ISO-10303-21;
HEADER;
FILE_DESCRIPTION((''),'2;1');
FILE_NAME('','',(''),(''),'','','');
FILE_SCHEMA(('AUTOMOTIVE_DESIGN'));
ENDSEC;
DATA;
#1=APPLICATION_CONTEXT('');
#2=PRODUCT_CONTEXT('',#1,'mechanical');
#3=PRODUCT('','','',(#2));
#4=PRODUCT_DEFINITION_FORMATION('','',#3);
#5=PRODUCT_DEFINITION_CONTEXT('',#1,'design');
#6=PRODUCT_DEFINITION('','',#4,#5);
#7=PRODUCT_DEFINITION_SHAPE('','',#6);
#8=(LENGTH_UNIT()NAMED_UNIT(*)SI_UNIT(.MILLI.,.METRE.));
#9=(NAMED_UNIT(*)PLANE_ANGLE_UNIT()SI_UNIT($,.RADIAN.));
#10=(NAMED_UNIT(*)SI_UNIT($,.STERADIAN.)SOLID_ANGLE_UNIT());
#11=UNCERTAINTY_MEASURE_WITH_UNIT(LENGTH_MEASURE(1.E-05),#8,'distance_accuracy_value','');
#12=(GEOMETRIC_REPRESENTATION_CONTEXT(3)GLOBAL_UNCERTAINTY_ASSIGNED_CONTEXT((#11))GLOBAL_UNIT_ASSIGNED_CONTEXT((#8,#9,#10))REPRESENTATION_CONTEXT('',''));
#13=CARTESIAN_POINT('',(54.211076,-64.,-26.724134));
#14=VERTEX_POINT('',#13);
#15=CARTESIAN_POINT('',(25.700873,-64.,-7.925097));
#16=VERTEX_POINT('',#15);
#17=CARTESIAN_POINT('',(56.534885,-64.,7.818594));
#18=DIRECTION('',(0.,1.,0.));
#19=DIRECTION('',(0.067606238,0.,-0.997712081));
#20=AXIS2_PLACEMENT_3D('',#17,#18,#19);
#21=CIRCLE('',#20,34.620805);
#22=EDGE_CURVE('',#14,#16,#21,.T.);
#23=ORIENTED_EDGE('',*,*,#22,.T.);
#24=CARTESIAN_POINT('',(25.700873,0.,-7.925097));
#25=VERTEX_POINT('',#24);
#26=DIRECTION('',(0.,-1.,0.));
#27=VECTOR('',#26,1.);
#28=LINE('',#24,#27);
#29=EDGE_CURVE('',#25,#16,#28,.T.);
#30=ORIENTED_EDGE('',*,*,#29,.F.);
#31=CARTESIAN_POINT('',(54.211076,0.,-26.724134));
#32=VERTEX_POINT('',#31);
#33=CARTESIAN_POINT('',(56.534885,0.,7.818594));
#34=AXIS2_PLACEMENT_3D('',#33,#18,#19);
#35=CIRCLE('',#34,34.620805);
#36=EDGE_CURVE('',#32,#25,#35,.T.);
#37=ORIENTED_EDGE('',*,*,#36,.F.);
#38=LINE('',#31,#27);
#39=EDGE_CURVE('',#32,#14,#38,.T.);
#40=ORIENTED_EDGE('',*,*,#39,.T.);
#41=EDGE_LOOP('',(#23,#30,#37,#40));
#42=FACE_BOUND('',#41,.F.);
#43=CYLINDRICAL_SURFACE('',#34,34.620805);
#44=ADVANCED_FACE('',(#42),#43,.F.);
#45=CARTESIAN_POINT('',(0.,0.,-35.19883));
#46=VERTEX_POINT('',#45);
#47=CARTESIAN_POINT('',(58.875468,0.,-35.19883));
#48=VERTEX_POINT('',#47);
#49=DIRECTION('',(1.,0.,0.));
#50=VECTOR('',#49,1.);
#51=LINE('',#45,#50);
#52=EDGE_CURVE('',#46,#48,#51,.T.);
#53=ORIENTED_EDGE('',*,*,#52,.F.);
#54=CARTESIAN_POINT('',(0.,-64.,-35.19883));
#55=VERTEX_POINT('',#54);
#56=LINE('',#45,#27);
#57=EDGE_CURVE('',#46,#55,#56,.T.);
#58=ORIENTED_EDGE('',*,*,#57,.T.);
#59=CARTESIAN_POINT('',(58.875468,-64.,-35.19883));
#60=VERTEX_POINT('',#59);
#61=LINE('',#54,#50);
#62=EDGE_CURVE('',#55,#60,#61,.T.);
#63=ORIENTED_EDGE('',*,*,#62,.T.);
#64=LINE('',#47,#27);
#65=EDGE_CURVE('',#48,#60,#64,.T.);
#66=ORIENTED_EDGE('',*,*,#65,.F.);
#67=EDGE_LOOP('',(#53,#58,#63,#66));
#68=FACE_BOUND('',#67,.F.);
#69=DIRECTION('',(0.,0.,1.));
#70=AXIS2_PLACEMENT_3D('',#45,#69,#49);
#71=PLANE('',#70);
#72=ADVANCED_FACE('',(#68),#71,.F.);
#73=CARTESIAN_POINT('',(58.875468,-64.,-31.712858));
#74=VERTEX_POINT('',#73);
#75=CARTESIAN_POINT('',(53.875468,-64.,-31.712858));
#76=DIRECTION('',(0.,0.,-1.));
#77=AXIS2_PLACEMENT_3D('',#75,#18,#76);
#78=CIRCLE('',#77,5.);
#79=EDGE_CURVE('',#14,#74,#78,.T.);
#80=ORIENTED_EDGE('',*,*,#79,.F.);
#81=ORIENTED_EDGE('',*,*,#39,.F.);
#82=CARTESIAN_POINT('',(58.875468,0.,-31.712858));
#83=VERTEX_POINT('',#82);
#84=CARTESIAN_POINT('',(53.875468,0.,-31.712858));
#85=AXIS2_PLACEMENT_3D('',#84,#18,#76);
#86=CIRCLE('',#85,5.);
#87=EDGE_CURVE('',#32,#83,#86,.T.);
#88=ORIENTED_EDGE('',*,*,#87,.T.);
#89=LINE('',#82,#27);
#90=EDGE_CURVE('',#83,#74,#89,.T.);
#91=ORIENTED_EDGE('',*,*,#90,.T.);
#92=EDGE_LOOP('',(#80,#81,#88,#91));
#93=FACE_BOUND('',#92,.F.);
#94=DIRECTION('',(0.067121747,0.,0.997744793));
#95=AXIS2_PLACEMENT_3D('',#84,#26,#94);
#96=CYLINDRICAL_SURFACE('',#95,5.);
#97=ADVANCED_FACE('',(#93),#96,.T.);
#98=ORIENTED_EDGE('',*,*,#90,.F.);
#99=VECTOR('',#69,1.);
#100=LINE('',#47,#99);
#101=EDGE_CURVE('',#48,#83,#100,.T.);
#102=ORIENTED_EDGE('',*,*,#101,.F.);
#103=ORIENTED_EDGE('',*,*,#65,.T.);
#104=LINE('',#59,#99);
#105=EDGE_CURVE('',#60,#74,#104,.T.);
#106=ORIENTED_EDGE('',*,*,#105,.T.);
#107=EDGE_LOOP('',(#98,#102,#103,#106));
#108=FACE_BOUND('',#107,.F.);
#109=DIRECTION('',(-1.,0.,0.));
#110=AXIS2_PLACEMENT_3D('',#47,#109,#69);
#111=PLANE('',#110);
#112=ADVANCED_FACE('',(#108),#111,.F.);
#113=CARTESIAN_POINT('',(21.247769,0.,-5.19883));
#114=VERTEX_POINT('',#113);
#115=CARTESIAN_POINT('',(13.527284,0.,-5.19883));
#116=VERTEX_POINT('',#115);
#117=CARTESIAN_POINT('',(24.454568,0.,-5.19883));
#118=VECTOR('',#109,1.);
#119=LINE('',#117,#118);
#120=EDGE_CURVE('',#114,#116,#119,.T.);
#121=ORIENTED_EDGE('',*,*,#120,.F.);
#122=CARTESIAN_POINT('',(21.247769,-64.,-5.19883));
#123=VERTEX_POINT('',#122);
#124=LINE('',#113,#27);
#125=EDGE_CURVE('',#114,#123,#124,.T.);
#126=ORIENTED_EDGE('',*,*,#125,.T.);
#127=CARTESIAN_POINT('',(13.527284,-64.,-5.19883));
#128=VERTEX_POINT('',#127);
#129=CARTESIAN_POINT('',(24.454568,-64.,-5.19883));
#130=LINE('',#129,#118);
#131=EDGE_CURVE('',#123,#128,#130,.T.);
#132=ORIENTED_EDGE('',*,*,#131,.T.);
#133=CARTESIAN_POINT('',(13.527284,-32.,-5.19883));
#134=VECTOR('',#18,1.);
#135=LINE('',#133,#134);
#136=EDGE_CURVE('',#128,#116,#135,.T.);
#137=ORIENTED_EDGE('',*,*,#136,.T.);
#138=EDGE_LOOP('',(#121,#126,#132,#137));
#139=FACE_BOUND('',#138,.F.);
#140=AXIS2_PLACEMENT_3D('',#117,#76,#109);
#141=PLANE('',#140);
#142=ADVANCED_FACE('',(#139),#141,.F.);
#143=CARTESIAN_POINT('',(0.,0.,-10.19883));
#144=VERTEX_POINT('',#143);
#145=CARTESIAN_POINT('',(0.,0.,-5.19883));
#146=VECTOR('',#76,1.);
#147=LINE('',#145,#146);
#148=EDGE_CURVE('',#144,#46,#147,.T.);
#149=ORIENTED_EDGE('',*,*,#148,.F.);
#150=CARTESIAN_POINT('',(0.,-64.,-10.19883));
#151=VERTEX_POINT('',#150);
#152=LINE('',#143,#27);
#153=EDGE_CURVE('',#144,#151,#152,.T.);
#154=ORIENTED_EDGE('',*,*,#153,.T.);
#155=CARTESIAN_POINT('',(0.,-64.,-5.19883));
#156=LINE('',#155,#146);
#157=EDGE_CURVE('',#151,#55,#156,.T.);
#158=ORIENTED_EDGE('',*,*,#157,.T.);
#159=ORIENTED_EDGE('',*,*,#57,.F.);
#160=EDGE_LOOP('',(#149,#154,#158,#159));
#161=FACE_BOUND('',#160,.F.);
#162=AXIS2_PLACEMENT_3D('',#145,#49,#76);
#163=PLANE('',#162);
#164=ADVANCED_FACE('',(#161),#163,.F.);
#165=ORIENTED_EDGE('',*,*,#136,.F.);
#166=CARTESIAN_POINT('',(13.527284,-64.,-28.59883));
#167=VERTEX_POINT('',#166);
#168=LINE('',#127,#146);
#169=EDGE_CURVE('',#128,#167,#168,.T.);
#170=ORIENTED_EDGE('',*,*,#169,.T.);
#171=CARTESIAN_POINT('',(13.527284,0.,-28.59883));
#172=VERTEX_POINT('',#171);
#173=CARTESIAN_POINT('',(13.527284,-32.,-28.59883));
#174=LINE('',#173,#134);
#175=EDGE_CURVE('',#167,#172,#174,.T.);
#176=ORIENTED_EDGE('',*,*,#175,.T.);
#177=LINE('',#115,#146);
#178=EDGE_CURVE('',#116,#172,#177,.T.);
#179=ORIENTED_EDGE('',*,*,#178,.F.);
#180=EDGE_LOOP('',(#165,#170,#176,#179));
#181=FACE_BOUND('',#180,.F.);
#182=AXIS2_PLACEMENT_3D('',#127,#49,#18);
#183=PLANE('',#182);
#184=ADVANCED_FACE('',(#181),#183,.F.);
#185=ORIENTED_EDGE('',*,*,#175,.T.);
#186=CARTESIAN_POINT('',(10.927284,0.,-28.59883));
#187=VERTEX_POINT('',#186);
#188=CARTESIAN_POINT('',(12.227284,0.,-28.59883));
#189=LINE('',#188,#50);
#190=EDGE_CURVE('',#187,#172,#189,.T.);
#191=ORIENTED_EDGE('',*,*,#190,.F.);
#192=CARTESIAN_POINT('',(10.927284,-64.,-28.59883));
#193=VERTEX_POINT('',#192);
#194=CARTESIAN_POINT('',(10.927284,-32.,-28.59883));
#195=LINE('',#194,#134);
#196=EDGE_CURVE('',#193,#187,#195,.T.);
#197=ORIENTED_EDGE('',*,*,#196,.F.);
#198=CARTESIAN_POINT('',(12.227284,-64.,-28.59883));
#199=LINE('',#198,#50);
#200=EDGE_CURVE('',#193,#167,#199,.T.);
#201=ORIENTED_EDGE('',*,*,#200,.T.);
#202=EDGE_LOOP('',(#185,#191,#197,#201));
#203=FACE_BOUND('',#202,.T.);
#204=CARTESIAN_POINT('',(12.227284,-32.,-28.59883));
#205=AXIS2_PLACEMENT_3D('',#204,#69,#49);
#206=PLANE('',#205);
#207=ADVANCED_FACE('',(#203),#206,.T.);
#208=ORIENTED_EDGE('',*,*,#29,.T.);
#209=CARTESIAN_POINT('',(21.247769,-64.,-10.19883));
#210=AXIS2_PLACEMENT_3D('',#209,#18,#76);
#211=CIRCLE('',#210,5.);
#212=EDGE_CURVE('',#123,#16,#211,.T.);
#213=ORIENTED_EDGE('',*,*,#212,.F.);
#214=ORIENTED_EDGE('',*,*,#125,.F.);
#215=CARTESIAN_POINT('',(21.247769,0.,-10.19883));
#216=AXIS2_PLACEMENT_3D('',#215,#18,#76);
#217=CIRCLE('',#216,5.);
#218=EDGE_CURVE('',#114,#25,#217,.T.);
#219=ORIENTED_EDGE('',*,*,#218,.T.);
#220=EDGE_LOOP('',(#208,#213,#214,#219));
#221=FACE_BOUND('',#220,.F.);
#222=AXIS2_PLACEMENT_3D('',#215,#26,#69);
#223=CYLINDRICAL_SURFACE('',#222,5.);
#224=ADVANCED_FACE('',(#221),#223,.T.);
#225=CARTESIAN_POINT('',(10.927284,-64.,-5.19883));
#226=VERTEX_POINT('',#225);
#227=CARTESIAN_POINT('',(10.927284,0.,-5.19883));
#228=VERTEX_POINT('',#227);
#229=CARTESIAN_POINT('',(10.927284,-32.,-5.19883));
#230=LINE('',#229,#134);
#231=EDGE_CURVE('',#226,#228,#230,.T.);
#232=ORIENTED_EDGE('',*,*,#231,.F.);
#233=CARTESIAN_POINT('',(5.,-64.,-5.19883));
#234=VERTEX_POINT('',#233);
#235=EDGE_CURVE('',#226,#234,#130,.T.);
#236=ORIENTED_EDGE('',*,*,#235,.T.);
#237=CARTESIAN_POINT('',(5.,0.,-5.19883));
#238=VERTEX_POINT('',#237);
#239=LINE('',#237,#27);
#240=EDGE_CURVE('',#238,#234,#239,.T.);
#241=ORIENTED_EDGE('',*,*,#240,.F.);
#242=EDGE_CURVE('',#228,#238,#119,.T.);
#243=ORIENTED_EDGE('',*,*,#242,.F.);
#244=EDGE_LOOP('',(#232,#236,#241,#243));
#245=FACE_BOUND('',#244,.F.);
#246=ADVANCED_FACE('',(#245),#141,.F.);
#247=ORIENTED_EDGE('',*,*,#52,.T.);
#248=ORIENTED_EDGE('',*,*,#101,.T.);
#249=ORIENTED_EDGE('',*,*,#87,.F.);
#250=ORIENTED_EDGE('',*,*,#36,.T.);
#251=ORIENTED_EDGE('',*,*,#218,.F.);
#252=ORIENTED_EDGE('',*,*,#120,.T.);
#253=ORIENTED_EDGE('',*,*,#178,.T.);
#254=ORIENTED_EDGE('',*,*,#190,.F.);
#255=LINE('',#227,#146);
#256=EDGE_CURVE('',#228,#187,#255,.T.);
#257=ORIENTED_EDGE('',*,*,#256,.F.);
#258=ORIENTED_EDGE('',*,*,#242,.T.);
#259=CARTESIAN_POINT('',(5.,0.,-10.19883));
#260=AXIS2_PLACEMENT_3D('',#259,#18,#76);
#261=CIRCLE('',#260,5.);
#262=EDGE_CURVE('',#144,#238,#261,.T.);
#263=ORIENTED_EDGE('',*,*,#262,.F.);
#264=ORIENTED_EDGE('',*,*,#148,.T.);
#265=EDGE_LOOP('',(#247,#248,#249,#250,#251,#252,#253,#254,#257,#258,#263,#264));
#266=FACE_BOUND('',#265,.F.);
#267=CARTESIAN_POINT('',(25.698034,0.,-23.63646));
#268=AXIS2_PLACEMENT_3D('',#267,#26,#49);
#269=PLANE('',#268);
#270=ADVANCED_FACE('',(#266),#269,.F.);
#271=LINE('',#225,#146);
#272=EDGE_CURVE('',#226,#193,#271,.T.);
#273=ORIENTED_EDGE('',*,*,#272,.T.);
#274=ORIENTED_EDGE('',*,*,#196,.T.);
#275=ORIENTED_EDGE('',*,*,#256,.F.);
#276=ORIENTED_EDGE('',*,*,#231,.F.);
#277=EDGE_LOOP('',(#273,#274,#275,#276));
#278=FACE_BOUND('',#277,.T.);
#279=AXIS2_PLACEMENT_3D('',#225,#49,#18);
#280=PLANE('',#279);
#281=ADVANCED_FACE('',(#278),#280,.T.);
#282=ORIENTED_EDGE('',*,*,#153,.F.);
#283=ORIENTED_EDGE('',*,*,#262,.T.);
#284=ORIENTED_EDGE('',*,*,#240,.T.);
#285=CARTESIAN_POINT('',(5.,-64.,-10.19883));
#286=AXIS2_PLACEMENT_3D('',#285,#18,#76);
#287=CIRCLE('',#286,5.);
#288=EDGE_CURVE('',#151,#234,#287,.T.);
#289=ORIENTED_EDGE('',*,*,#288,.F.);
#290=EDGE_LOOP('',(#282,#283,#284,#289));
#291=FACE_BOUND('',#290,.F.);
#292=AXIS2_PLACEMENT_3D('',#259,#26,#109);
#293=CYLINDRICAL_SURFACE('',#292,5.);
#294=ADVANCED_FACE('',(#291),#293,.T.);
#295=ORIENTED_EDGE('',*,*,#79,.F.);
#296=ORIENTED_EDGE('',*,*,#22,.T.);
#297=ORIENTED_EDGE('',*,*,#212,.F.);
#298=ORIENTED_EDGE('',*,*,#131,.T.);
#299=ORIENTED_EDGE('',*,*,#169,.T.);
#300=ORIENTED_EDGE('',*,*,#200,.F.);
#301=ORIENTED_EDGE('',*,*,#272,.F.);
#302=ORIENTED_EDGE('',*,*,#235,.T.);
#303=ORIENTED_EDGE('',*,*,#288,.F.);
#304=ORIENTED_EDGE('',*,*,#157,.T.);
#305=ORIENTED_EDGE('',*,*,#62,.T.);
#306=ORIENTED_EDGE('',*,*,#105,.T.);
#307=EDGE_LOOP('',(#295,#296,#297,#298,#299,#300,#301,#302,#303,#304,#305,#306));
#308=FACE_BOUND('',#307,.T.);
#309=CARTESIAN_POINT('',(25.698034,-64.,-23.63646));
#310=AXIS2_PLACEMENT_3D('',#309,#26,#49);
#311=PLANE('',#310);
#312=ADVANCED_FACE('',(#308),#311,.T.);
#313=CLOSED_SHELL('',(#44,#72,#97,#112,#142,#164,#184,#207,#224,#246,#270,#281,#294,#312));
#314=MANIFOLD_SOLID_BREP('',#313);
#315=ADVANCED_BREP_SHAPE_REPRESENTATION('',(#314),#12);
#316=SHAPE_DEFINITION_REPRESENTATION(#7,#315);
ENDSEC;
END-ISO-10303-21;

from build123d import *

# Parameters (mm, degrees)
F1_DEPTH = 64
F2_W     = 2.6
F2_H     = 64
F3_DEPTH = 23.4
F4_R     = 5


with BuildPart() as f1:
    # F0 (on Front) → F1 (new body)
    with BuildSketch(Plane.XZ):
        with BuildLine():
            Line((24.4545675814, -5.1988300681), (0, -5.1988300681))
            Line((0, -5.1988300681), (0, -35.1988300681))
            Line((0, -35.1988300681), (58.8754676282, -35.1988300681))
            Line((58.8754676282, -35.1988300681), (58.8754676282, -26.7230011523))
            ThreePointArc((58.8754676282, -26.7230011523), (38.1790837444, -21.5355312603), (24.4545675814, -5.1988300681))
        make_face()
    extrude(amount=F1_DEPTH)

    # F2 (on face) → F3 (cut)
    with BuildSketch(Plane.XY.offset(-5.1988300681)):
        with Locations((12.2272837907, -32)):
            Rectangle(F2_W, F2_H)
    extrude(amount=-F3_DEPTH, mode=Mode.SUBTRACT)

    # F4
    f4_edges = [f1.edges().sort_by_distance(p)[0] for p in [
        (24.454568, -32, -5.19883),
        (0, -32, -5.19883),
        (58.875468, -32, -26.723001),
    ]]
    fillet(f4_edges, radius=F4_R)


solid = f1.part
